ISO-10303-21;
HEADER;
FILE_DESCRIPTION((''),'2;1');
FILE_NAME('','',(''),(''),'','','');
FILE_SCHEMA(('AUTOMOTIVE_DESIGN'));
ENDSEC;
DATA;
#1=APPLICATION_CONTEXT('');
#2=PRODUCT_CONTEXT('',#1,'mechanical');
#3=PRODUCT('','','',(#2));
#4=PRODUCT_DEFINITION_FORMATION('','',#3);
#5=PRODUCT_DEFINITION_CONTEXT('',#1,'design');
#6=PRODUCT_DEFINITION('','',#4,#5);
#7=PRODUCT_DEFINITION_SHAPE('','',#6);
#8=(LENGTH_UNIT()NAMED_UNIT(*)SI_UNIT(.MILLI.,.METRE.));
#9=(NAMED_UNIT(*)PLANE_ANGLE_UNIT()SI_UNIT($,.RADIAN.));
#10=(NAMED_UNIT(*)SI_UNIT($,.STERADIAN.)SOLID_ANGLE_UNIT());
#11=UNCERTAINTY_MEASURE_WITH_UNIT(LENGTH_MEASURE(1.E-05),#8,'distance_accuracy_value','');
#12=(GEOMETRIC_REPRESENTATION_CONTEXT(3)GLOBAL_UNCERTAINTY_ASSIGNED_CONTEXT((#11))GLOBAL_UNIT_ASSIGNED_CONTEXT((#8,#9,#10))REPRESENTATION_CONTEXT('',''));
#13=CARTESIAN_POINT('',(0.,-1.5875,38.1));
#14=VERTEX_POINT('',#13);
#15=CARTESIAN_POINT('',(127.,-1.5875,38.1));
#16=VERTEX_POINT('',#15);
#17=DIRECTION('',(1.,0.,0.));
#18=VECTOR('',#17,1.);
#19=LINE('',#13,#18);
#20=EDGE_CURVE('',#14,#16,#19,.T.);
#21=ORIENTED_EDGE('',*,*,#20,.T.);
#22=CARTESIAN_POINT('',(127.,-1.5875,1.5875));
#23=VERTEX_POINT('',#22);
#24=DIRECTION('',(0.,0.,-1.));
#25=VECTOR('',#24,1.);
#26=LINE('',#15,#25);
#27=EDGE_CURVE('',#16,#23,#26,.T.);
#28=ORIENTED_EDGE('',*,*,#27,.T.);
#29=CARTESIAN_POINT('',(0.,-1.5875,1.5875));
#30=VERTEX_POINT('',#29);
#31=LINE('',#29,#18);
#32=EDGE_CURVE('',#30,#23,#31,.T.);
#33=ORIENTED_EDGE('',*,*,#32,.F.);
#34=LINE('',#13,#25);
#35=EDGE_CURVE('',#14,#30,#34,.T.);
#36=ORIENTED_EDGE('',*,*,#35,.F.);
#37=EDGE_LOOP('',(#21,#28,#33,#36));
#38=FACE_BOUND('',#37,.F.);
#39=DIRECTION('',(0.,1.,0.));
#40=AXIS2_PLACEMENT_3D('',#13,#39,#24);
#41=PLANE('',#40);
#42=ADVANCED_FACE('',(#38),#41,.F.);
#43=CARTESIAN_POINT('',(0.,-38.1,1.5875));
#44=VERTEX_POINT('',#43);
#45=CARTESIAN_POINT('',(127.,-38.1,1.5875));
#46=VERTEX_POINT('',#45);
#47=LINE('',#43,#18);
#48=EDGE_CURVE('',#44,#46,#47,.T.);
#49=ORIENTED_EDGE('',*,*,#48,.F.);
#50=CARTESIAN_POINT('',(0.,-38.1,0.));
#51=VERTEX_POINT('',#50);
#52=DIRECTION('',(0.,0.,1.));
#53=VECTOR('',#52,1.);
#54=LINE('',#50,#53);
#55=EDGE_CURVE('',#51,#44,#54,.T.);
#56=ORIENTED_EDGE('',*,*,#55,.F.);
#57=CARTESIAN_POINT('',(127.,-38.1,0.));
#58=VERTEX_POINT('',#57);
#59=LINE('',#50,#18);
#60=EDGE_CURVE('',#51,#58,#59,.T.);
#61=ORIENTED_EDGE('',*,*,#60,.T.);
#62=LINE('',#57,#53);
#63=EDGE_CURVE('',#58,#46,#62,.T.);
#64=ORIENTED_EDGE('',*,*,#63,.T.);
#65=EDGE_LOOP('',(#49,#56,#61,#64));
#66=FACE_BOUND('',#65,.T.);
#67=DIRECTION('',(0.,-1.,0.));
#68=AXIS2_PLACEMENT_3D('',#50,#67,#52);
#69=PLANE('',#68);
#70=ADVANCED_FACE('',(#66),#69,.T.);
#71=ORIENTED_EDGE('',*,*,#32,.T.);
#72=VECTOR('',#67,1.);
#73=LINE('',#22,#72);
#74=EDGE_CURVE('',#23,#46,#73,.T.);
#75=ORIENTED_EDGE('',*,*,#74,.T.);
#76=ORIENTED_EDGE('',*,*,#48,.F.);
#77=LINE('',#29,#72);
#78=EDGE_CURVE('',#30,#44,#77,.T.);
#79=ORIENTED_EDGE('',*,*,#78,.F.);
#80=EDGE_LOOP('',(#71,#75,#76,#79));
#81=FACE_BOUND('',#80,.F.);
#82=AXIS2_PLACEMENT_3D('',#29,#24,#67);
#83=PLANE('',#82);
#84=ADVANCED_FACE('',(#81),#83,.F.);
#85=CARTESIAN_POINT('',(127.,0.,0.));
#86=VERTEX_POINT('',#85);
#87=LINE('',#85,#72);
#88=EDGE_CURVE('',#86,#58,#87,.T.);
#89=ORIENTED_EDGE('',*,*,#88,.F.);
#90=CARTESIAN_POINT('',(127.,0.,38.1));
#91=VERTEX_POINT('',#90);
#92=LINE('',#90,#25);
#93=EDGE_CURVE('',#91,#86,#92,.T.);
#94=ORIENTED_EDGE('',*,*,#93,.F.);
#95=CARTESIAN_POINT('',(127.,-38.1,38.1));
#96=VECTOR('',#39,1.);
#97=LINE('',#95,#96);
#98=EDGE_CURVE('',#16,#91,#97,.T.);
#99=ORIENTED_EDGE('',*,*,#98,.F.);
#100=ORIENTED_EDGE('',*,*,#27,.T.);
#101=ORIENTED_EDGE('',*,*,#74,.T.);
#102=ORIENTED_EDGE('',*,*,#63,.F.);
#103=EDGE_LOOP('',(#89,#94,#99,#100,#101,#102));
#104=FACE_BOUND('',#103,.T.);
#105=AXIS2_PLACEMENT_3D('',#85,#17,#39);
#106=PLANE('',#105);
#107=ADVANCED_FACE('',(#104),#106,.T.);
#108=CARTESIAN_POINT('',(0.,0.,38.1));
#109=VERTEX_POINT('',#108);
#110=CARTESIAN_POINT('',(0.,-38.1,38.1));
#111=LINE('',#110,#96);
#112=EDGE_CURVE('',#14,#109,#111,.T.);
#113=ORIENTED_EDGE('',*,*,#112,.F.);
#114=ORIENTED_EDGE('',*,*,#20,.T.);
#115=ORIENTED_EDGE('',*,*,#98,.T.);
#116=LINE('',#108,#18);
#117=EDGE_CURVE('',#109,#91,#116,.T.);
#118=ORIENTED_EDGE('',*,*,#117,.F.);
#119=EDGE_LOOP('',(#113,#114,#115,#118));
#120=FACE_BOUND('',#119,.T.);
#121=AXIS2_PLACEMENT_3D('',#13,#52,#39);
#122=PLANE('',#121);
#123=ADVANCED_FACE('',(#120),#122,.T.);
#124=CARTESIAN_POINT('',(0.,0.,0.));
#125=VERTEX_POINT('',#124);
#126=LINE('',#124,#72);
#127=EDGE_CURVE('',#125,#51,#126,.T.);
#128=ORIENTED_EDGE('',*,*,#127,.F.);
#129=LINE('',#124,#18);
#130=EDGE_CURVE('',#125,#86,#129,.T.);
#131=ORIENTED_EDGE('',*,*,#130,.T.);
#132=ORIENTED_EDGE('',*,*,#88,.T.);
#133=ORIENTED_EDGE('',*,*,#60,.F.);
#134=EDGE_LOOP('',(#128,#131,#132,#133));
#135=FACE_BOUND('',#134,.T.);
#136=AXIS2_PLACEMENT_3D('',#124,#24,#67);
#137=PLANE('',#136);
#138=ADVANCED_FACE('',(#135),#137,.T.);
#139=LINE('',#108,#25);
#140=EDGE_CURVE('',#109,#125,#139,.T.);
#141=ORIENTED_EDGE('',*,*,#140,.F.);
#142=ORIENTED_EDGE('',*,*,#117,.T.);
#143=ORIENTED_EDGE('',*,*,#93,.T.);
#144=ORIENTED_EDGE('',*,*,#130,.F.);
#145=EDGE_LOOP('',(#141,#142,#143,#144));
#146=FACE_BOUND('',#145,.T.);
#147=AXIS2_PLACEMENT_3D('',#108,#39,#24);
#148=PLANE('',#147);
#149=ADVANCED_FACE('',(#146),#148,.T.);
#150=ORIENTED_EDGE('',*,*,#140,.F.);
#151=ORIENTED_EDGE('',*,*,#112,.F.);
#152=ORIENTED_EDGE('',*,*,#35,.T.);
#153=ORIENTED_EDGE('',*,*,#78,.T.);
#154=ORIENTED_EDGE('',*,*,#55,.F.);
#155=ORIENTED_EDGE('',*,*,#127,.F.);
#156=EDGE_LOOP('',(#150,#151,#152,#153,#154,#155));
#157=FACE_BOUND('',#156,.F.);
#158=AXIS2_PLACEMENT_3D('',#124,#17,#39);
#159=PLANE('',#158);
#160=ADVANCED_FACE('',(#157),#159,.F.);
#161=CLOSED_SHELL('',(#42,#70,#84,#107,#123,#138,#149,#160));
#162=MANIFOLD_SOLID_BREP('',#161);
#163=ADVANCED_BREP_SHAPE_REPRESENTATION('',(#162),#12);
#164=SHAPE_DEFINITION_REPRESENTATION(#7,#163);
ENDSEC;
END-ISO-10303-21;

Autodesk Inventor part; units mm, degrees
ref_plane "YZ Plane" through (0, 0, 0) normal (1, 0, 0) x (0, 1, 0)
ref_plane "XZ Plane" through (0, 0, 0) normal (0, 1, 0) x (-1, 0, 0)
ref_plane "XY Plane" through (0, 0, 0) normal (0, 0, 1) x (1, 0, 0)
sketch "Sketch1" plane through (0, 0, 0) normal (1, 0, 0) x (0, 1, 0)
  line L0 (-38.1, 38.1) -> (0, 38.1)
  line L1 (0, 38.1) -> (0, 0)
  line L2 (0, 0) -> (-38.1, 0)
  line L3 (-38.1, 0) -> (-38.1, 38.1)
  line L4 (-38.1, 38.1) -> (-1.5875, 38.1)
  line L5 (-1.5875, 38.1) -> (-1.5875, 1.5875)
  line L6 (-1.5875, 1.5875) -> (-38.1, 1.5875)
  line L7 (-38.1, 1.5875) -> (-38.1, 38.1)
  dimension "d0" = 38.1
  dimension "d1" = 38.1
  dimension "d2" = 1.5875
  dimension "d3" = 1.5875
extrude "Extrusion1" add sketch "Sketch1" along normal blind 127 contours L0 L1 L2 L3 L6 L5
properties part number "motorguard"
